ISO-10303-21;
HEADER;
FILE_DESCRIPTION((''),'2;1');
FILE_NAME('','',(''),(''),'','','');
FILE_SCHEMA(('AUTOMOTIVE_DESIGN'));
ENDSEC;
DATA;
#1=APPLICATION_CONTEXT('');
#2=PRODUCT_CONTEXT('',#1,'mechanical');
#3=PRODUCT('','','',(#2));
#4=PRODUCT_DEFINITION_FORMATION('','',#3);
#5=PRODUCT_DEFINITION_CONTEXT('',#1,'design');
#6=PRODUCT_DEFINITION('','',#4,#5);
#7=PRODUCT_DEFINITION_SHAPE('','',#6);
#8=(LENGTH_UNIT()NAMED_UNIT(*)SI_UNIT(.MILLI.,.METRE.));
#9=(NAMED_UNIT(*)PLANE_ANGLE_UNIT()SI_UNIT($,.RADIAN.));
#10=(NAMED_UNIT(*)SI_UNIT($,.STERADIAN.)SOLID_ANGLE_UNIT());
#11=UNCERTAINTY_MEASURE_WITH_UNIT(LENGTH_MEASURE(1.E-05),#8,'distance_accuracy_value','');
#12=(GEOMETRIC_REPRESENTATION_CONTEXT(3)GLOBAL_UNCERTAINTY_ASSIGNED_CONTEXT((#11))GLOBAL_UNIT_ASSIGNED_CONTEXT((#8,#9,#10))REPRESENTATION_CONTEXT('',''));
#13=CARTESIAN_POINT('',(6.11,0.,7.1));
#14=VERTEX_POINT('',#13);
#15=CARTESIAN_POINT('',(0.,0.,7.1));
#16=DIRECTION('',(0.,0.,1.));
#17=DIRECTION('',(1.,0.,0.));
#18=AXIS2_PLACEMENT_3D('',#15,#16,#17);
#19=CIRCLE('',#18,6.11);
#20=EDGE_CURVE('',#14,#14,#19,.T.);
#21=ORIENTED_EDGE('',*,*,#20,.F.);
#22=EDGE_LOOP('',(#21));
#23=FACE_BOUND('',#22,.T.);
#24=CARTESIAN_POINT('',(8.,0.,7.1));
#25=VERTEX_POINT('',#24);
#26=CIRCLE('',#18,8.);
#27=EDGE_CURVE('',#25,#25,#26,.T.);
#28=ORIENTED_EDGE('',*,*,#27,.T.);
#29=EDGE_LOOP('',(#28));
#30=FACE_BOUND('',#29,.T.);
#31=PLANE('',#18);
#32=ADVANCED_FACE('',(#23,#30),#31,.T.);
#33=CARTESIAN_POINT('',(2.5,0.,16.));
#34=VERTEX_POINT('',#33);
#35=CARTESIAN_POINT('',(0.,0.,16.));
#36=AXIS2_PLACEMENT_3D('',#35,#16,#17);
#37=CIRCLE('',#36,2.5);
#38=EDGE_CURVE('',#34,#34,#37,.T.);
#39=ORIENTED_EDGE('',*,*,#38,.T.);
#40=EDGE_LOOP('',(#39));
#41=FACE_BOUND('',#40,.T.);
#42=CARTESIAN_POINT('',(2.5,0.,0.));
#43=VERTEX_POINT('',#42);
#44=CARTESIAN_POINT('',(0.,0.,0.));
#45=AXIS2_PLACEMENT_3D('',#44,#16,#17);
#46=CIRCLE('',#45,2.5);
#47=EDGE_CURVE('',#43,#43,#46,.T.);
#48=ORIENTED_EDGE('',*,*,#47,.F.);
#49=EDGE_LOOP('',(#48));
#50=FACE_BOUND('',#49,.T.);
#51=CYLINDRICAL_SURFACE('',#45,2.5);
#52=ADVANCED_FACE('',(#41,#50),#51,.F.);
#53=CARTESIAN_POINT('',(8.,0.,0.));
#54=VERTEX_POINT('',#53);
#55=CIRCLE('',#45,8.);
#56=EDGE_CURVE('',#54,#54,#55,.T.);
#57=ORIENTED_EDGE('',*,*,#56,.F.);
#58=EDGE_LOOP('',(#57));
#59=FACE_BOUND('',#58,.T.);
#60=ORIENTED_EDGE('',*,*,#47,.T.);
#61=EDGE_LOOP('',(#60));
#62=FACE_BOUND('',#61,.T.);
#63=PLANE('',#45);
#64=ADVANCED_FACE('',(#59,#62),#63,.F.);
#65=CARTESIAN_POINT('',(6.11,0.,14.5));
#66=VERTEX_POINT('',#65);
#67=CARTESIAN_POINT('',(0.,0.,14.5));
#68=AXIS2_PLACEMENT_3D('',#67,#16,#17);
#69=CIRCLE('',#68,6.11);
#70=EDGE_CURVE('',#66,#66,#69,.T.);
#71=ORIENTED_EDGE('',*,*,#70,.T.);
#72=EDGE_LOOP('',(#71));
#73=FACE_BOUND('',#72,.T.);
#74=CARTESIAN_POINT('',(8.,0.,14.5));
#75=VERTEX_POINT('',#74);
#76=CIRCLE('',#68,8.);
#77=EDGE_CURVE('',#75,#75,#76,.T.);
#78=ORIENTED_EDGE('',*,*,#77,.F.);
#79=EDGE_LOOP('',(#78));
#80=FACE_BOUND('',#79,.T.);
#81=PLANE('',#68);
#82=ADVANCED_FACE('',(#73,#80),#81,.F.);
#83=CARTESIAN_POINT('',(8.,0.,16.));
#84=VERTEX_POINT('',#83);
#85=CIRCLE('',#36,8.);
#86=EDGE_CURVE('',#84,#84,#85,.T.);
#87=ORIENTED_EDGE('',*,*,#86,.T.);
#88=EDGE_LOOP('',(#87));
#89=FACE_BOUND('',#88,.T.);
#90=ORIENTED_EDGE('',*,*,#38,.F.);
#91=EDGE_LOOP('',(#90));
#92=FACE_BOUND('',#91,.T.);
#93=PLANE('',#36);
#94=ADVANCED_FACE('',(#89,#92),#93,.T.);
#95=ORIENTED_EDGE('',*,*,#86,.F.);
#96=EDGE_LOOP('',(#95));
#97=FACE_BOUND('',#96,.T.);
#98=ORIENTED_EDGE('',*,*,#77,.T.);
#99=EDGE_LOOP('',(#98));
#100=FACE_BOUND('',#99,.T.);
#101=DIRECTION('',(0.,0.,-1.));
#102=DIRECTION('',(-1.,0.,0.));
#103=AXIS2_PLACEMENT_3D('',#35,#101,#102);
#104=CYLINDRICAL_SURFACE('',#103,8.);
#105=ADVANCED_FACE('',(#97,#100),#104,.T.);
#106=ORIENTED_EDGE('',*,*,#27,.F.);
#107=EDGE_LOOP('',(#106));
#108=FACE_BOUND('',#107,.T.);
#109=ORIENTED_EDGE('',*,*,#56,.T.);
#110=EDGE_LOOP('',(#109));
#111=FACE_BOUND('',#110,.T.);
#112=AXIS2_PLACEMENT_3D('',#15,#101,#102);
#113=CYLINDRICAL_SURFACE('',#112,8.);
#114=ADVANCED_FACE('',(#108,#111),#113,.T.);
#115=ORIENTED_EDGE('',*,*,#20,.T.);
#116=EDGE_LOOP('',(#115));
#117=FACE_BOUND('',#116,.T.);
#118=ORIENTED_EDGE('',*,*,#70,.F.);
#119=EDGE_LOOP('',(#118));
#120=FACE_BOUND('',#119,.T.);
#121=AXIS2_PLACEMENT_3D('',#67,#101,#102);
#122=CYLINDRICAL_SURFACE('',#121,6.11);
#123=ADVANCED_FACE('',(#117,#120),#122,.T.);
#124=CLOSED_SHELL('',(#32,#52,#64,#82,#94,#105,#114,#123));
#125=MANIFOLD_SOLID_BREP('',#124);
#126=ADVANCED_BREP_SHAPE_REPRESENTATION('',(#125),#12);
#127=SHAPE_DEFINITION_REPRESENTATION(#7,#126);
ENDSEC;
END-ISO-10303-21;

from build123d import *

# Parameters (mm, degrees)
SKETCH1_R           = 8
BOSS_EXTRUDE1_DEPTH = 7.1
SKETCH2_R           = 6.11
BOSS_EXTRUDE2_DEPTH = 7.4
SKETCH3_R           = 8
BOSS_EXTRUDE3_DEPTH = 1.5
SKETCH4_R           = 2.5
CUT_EXTRUDE1_DEPTH  = 20.595917942


with BuildPart() as part:
    # Sketch1 → Boss-Extrude1 (new body)
    with BuildSketch(Plane.XY):
        Circle(SKETCH1_R)
    extrude(amount=BOSS_EXTRUDE1_DEPTH)

    # Sketch2 → Boss-Extrude2 (add)
    with BuildSketch(Plane.XY.offset(7.1)):
        Circle(SKETCH2_R)
    extrude(amount=BOSS_EXTRUDE2_DEPTH)

    # Sketch3 → Boss-Extrude3 (add)
    with BuildSketch(Plane.XY.offset(14.5)):
        Circle(SKETCH3_R)
    extrude(amount=BOSS_EXTRUDE3_DEPTH)

    # Sketch4 → Cut-Extrude1 (cut, through all)
    with BuildSketch(Plane.XY.offset(16)):
        Circle(SKETCH4_R)
    extrude(amount=-CUT_EXTRUDE1_DEPTH, mode=Mode.SUBTRACT)


solid = part.part
